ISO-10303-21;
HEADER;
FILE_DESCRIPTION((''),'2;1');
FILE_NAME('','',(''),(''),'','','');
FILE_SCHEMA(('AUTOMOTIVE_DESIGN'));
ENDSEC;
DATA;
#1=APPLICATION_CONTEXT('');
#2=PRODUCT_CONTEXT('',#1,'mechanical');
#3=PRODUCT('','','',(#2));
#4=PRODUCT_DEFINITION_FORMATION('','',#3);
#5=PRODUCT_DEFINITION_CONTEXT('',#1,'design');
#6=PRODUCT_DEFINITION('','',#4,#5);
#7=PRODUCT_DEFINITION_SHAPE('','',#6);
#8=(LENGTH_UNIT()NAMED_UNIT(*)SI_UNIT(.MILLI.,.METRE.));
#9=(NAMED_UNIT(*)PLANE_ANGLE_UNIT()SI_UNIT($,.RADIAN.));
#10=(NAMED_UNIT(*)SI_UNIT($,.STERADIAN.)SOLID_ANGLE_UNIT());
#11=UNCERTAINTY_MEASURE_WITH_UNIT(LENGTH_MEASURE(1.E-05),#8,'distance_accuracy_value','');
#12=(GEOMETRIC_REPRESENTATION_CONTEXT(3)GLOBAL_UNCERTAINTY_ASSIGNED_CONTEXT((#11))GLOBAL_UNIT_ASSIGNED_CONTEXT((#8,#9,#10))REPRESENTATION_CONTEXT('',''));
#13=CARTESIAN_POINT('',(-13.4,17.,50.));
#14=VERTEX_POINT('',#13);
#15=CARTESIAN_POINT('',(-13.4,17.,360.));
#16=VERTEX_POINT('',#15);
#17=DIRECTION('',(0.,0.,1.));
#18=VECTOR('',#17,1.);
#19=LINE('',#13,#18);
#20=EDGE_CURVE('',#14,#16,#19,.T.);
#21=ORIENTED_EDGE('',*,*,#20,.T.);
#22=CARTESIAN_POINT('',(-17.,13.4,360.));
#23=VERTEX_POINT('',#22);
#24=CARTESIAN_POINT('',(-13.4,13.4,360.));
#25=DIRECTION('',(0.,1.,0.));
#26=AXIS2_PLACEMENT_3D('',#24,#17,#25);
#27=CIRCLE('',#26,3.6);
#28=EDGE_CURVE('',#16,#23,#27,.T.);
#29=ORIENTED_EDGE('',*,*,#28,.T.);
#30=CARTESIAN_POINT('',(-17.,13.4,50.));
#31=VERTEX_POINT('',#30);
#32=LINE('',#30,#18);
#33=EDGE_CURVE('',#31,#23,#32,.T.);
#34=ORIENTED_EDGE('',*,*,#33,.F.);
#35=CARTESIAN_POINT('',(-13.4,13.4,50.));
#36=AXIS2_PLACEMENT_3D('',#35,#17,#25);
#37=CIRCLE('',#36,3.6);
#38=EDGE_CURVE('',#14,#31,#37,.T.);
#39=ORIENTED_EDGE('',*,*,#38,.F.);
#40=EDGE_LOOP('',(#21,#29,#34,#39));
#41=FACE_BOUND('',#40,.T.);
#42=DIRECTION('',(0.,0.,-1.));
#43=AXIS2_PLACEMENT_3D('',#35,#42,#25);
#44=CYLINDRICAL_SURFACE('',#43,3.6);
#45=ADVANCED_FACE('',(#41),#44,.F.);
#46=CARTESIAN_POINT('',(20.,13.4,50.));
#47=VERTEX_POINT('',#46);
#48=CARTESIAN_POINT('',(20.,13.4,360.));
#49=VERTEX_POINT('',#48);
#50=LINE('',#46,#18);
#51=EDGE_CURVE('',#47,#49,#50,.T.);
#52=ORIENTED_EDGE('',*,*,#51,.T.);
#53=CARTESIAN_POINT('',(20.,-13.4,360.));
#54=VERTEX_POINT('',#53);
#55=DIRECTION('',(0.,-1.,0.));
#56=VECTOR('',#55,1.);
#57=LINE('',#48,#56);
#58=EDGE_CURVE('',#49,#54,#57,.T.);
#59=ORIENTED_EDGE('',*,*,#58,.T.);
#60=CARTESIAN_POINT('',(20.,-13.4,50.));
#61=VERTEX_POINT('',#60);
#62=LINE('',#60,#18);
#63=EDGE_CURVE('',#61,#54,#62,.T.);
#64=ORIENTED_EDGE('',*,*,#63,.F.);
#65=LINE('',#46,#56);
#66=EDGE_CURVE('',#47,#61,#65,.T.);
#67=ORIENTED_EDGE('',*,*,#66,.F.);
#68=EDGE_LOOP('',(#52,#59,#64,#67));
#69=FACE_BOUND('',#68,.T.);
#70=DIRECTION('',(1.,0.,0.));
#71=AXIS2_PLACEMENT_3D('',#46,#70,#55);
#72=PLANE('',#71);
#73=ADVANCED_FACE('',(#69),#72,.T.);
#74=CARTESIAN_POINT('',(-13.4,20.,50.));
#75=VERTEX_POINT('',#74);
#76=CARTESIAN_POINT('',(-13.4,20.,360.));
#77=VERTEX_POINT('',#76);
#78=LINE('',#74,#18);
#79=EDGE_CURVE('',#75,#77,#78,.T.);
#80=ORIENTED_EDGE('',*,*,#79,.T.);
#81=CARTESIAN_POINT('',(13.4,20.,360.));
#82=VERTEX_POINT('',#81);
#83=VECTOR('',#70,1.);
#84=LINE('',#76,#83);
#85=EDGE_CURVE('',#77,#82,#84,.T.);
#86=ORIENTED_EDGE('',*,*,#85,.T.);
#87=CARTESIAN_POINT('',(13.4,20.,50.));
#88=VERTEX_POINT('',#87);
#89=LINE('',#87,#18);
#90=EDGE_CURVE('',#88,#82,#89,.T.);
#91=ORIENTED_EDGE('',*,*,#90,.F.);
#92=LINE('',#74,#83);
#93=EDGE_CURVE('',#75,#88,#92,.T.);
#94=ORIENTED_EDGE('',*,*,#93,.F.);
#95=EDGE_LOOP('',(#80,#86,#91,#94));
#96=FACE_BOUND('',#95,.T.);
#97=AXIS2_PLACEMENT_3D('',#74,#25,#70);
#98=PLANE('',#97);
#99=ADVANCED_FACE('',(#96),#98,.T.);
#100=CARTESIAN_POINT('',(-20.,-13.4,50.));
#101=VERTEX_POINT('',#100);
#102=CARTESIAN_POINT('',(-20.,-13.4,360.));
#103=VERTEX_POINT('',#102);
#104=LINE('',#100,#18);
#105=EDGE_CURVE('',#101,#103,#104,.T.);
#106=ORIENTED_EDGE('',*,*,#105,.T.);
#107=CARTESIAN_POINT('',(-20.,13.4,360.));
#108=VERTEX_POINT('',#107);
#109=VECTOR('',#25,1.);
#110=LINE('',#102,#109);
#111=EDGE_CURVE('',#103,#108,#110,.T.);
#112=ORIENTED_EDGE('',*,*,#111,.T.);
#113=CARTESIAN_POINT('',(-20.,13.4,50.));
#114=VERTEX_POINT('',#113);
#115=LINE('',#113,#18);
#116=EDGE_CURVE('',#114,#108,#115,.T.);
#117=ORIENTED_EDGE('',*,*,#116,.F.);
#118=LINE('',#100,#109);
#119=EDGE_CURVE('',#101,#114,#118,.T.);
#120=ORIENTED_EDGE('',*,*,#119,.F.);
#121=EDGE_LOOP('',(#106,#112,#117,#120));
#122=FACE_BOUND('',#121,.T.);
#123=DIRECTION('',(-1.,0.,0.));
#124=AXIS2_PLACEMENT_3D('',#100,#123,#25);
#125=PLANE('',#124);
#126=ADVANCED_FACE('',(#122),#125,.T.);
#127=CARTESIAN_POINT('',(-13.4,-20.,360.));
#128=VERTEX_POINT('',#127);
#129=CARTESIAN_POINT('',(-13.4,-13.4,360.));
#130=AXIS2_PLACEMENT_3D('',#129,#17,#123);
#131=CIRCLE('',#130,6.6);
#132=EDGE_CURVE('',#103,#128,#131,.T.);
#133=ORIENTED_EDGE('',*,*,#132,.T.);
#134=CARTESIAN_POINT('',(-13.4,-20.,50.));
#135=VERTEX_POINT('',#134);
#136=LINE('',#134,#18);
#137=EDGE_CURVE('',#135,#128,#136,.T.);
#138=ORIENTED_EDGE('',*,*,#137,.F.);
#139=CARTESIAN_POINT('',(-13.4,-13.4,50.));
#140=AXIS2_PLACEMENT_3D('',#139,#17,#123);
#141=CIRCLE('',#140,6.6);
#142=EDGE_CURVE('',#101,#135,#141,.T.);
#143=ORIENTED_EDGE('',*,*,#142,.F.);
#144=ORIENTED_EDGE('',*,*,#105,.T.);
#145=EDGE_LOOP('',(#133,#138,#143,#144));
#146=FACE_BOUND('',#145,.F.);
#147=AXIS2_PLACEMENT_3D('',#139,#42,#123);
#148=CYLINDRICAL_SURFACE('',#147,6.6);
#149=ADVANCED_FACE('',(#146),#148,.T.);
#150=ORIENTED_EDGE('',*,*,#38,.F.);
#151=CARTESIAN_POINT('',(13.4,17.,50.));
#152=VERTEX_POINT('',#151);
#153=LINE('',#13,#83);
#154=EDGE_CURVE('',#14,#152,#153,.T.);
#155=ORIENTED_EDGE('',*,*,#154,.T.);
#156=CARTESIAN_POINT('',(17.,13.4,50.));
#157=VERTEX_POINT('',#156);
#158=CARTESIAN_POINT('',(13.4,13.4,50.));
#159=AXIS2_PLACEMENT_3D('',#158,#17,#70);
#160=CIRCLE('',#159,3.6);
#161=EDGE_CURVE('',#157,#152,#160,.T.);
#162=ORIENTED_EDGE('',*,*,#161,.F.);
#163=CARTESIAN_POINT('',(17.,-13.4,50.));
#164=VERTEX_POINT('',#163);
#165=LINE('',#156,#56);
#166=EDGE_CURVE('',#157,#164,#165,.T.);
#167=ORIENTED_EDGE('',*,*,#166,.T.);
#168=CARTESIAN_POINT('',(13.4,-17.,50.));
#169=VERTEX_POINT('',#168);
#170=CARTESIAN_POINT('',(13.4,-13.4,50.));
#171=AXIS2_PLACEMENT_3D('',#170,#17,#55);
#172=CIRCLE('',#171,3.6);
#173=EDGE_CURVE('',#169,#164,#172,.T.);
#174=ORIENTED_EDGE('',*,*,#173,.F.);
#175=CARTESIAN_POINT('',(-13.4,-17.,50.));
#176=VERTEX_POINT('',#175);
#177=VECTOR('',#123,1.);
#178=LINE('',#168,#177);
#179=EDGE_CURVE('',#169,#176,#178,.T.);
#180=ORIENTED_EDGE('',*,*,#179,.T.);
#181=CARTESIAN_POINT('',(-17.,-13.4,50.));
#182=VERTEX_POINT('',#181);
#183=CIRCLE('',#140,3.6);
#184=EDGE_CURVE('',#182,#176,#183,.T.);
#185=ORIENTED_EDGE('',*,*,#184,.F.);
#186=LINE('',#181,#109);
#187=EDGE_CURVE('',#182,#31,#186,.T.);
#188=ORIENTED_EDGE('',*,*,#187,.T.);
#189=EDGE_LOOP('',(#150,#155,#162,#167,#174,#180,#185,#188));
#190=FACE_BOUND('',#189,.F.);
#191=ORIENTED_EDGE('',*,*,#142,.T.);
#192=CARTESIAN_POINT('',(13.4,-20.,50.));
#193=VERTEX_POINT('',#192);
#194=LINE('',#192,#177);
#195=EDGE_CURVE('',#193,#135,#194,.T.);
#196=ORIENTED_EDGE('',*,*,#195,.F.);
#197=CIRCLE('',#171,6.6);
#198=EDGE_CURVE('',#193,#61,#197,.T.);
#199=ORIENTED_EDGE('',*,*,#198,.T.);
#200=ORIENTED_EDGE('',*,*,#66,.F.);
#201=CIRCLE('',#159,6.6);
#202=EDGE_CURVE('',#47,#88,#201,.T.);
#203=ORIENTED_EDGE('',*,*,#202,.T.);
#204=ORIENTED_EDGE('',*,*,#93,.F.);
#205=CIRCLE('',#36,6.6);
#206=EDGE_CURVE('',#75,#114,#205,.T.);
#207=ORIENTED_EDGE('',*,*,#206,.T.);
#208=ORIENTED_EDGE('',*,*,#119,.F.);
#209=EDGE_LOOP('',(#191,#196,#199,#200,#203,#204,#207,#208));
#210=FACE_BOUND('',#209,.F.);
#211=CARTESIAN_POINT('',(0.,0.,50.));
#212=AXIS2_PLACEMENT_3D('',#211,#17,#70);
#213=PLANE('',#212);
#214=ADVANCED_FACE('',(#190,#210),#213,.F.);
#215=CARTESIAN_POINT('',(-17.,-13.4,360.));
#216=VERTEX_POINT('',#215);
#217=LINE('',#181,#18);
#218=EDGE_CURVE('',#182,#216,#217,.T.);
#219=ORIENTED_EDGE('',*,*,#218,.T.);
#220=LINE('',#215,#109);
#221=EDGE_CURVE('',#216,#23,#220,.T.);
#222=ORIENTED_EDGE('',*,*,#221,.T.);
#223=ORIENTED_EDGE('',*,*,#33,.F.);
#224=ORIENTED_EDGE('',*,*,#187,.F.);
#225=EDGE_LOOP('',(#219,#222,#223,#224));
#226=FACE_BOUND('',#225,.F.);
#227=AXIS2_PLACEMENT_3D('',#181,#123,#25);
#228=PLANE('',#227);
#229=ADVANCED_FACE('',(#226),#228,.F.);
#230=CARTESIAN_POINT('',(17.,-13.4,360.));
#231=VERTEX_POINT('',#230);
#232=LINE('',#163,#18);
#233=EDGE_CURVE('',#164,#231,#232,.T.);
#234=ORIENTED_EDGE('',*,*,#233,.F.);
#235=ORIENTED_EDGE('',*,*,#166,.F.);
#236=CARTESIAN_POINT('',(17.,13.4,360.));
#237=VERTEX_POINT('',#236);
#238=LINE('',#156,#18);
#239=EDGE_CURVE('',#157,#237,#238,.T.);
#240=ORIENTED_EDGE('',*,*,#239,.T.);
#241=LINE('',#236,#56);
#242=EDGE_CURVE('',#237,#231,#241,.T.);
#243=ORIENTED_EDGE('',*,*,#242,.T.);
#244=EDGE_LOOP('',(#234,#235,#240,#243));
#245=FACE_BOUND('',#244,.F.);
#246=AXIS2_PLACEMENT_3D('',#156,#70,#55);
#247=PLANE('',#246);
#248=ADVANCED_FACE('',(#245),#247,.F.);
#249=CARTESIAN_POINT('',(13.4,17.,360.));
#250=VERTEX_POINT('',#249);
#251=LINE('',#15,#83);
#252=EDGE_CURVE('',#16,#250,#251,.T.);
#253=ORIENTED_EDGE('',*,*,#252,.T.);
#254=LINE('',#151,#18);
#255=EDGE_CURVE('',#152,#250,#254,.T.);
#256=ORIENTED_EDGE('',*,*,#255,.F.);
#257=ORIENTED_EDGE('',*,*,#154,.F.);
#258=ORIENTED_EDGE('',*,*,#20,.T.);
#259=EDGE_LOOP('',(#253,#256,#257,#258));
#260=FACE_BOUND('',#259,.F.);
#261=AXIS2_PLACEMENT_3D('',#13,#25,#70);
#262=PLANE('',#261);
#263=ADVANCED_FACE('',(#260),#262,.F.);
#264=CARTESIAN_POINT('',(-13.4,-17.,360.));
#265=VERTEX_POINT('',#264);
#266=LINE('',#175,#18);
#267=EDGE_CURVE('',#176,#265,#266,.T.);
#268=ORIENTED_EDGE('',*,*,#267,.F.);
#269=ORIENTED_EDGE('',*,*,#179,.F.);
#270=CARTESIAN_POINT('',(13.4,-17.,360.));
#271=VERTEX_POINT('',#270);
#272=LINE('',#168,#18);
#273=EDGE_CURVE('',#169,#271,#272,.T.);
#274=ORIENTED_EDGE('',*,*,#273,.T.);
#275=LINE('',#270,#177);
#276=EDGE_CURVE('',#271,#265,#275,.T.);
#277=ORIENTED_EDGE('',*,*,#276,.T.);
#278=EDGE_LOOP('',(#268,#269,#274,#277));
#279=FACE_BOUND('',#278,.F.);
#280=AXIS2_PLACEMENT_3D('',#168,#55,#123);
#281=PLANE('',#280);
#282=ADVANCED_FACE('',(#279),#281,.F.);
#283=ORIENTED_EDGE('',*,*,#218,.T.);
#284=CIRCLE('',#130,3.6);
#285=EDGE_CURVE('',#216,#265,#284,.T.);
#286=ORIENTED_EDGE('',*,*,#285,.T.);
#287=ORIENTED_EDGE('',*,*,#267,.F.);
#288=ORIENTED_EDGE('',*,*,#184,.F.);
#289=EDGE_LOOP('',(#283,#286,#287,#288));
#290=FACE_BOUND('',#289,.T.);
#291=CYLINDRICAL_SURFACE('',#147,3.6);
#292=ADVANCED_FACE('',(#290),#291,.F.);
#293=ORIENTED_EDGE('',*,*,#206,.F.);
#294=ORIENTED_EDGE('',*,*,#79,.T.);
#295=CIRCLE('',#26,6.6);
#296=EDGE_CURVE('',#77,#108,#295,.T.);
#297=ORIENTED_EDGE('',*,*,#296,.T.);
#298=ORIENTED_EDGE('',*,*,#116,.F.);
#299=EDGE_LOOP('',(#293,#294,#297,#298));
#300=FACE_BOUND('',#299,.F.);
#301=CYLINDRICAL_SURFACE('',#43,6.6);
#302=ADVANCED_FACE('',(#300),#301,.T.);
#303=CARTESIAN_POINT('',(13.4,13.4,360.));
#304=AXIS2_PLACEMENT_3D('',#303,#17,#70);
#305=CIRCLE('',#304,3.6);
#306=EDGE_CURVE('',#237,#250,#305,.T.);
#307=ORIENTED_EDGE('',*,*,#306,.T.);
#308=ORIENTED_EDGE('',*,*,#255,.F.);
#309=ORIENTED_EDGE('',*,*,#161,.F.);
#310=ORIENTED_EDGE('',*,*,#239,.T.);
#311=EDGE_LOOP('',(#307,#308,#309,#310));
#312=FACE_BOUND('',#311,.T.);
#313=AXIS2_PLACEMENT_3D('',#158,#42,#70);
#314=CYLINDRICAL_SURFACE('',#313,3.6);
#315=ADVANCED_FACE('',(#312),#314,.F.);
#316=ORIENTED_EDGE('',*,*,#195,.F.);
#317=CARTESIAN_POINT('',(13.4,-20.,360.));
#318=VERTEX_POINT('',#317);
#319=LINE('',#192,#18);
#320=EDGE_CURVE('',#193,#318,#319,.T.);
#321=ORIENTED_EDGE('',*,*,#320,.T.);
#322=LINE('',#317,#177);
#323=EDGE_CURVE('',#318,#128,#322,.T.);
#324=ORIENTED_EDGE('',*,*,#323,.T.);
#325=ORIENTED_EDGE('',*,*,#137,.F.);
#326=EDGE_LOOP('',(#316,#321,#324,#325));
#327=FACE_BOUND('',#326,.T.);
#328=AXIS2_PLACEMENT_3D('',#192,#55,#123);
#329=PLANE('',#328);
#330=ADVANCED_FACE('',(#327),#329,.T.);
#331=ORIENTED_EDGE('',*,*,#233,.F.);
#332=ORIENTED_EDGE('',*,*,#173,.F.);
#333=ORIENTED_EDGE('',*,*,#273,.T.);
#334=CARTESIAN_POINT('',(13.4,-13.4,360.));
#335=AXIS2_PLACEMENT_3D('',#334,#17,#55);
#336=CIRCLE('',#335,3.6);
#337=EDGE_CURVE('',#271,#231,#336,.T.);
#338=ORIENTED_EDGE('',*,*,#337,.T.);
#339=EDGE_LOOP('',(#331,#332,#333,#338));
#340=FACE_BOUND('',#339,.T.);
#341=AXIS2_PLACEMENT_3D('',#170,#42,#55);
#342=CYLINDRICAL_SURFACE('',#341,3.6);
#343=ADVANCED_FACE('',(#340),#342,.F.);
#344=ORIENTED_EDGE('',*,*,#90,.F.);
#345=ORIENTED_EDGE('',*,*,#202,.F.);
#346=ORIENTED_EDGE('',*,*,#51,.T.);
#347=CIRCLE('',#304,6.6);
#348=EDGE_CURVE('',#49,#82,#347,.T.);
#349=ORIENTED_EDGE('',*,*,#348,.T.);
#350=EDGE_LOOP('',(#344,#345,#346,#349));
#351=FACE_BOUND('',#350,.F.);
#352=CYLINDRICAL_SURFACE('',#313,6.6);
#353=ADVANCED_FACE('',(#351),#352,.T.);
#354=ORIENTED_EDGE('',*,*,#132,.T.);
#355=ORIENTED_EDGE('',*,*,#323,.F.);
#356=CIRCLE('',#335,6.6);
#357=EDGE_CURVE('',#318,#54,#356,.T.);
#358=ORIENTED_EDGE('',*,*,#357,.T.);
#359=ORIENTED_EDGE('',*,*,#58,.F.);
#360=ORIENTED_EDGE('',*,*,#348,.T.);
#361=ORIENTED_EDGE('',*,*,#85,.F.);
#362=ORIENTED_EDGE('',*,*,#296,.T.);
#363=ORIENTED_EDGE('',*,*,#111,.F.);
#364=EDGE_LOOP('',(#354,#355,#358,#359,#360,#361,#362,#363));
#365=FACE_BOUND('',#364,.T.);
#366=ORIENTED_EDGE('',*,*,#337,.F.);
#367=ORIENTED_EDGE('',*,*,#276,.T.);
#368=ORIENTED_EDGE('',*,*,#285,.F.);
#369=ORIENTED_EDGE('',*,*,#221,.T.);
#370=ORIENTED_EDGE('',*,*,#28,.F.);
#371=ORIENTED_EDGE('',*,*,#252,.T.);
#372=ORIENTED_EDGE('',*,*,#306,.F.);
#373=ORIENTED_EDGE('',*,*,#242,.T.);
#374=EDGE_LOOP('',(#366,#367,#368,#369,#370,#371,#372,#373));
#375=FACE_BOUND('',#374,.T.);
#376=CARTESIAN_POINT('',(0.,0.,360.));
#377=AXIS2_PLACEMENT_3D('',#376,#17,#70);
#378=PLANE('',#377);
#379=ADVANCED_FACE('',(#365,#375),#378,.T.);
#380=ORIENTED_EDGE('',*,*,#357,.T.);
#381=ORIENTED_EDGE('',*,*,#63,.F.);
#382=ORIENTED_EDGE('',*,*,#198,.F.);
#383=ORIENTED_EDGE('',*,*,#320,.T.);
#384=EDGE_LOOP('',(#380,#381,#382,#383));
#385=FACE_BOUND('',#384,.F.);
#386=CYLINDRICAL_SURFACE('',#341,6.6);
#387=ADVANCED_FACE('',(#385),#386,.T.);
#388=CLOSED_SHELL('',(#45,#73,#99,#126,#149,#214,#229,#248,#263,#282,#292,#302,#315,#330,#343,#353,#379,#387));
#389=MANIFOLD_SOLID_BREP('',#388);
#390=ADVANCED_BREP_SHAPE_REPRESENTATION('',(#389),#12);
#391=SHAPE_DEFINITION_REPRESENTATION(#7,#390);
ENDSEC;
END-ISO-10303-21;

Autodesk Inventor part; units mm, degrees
ref_plane "Start plane" through (0, 0, 50) normal (0, 0, 1) x (1, 0, 0)
ref_plane "End plane" through (0, 0, 360) normal (0, 0, 1) x (1, 0, 0)
sketch "Sketch" plane through (0, 0, 0) normal (0, 0, 1) x (1, 0, 0)
  line L0 (-20, -13.4) -> (-20, 13.4)
  line L1 (-13.4, 20) -> (13.4, 20)
  line L2 (20, 13.4) -> (20, -13.4)
  line L3 (13.4, -20) -> (-13.4, -20)
  arc A0 (-20, -13.4) -> (-13.4, -20) centre (-13.4, -13.4) ccw
  arc A1 (-13.4, 20) -> (-20, 13.4) centre (-13.4, 13.4) ccw
  arc A2 (20, 13.4) -> (13.4, 20) centre (13.4, 13.4) ccw
  arc A3 (13.4, -20) -> (20, -13.4) centre (13.4, -13.4) ccw
  arc A4 (-13.4, 17) -> (-17, 13.4) centre (-13.4, 13.4) ccw
  line L4 (-13.4, 17) -> (13.4, 17)
  arc A5 (17, 13.4) -> (13.4, 17) centre (13.4, 13.4) ccw
  line L5 (17, 13.4) -> (17, -13.4)
  arc A6 (13.4, -17) -> (17, -13.4) centre (13.4, -13.4) ccw
  line L6 (13.4, -17) -> (-13.4, -17)
  arc A7 (-17, -13.4) -> (-13.4, -17) centre (-13.4, -13.4) ccw
  line L7 (-17, -13.4) -> (-17, 13.4)
  line L8 (0, 29.9137) -> (0, -29.9137) construction
  line L9 (-29.9137, 0) -> (29.9137, 0) construction
  dimension "d7" = 6.6
  dimension "d10" = 40
  dimension "d11" = 40
  dimension "d12" = 3
  dimension "d15" = 20
  dimension "d16" = 20
extrude "Body" add sketch "Sketch" along normal up to surface (310 mm away) from surface at 50
sketch "Sketch3" plane through (0, 0, 0) normal (0, 0, 1) x (1, 0, 0)
  line L0 (0, 0) -> (10, 0)
ref_plane "Work Plane3" through (0, 0, 0) normal (0, -1, 0) x (1, 0, 0)
sketch "Sketch4" plane through (0, 0, 0) normal (0, -1, 0) x (1, 0, 0)
  line L0 (-2, 50) -> (12, 50)
  line L1 (-2, 360) -> (12, 360)
  dimension "d18" = 310
ref_plane "Work Plane4" through (135, 9.2, 50) normal (0, 0, -1) x (-1, 0, 0)
split "Split1" plane through (135, 9.2, 50) removes the side toward (0, 0, -1)
ref_plane "Work Plane6" through (-515, -599.2, 50) normal (0, 0, -1) x (-1, 0, 0)
split "Split3" plane through (-515, -599.2, 50) removes the side toward (0, 0, -1)
ref_plane "Work Plane7" through (13.4, 20, 360) normal (0, 0, 1) x (1, 0, 0)
split "Split4" plane through (13.4, 20, 360) removes the side toward (0, 0, 1)
equation "\"d7\" = G_IR"
equation "\"d10\" = G_H"
equation "\"d11\" = G_W"
equation "\"d12\" = G_T"
equation "\"d15\" = 0.5 * d10"
equation "\"d16\" = 0.5 * d11"
equation "\"d3\" = G_L"
equation "\"G_W\" = 40"
equation "\"G_H\" = 40"
equation "\"G_T\" = 3"
equation "\"G_IR\" = 6.6"
equation "\"G_L\" = d18"
properties part number "DIN EN 10305-5 - 40 x 40 x 3  - 310" material "Steel, Mild"
